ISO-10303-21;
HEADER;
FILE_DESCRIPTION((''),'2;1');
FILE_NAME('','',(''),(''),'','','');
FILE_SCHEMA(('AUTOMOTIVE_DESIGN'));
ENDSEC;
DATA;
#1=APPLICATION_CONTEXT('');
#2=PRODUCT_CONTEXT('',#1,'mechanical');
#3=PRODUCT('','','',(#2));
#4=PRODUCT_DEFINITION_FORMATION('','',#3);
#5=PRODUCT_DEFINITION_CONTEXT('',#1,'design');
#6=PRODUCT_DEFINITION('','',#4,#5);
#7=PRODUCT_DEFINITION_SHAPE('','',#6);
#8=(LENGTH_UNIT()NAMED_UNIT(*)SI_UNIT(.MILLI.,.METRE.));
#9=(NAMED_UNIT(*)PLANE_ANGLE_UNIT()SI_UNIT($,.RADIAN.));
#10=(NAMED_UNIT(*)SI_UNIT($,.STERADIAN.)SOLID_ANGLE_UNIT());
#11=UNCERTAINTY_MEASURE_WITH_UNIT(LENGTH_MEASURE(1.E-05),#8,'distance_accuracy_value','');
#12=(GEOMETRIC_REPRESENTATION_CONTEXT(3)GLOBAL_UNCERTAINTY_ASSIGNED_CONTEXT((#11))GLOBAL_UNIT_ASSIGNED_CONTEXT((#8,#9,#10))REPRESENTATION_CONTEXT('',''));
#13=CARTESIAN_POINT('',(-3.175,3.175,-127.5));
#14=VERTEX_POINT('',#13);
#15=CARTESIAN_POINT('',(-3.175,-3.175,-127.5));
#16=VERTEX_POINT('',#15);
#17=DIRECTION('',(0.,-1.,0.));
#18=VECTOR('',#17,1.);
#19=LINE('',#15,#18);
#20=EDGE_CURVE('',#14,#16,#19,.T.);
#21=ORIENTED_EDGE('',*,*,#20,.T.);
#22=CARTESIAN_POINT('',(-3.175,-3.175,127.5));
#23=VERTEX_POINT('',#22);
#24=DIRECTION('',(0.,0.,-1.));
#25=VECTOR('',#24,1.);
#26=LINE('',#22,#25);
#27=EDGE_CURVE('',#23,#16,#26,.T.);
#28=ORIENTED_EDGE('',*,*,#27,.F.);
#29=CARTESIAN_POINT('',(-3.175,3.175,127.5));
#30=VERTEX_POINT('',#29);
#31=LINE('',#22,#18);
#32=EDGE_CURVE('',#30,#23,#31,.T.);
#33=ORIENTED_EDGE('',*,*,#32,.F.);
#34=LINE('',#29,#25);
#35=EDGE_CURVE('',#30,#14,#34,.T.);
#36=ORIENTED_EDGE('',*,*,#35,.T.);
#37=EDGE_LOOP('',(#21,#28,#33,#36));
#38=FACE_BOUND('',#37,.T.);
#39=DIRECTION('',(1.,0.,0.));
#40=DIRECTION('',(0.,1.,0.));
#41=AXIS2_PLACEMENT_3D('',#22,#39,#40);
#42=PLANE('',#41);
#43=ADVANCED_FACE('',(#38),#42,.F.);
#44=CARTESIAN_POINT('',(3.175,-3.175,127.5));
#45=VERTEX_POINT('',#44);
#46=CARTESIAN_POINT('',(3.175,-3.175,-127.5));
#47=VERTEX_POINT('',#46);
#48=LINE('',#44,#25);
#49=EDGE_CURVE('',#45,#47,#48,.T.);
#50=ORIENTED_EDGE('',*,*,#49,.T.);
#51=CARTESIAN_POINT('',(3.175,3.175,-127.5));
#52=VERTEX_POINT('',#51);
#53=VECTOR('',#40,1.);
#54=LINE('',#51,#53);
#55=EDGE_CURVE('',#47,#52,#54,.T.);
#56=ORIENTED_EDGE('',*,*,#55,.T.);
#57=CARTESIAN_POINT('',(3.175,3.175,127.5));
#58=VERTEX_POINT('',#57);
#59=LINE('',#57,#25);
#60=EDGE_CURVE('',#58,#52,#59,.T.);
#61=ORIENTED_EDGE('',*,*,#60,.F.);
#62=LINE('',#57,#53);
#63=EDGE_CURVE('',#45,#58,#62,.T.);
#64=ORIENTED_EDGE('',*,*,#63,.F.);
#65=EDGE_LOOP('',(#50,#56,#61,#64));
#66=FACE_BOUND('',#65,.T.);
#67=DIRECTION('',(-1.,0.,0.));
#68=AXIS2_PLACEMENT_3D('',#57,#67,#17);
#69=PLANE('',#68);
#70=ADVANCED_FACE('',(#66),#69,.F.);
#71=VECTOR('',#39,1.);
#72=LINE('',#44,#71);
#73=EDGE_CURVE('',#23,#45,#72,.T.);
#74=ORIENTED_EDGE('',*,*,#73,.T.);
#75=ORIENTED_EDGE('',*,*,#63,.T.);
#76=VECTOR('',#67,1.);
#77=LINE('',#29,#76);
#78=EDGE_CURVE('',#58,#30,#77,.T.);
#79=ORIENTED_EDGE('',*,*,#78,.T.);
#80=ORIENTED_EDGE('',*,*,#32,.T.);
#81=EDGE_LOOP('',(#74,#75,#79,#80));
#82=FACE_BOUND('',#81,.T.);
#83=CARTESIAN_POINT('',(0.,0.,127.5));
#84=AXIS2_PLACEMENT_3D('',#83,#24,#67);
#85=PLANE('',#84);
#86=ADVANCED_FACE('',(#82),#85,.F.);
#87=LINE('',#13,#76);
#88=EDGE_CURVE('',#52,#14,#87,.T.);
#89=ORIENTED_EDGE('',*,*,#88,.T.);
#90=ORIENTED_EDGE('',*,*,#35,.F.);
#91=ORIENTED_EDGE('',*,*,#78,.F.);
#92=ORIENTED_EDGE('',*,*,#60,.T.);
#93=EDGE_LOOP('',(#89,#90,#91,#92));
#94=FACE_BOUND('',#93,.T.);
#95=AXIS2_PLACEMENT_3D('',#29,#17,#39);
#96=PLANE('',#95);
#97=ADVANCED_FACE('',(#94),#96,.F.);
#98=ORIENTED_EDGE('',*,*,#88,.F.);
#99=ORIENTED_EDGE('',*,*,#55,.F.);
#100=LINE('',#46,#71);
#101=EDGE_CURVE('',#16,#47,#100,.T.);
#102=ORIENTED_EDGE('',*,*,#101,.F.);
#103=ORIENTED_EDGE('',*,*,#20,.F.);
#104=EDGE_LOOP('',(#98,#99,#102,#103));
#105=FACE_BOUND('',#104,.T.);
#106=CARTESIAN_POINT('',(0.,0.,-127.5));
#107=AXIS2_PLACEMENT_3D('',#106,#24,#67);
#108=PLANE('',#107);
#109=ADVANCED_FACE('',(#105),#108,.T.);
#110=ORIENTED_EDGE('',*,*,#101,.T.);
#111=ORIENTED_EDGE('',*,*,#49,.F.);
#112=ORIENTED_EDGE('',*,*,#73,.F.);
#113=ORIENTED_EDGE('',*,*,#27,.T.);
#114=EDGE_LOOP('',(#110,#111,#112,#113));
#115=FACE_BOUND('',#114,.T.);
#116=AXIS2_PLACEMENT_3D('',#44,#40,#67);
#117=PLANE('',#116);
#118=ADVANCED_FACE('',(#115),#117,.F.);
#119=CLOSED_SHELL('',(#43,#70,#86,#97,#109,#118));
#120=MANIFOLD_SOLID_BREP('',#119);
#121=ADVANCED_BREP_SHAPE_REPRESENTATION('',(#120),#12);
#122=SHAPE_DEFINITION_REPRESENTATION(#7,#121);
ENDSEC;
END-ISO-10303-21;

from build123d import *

# Parameters (mm, degrees)
SKETCH3_W           = 6.35
SKETCH3_H           = 6.35
BOSS_EXTRUDE1_DEPTH = 127.5


with BuildPart() as part:
    # Sketch3 → Boss-Extrude1 (new, symmetric)
    with BuildSketch(Plane.XY):
        Rectangle(SKETCH3_W, SKETCH3_H)
    extrude(amount=BOSS_EXTRUDE1_DEPTH, both=True)


solid = part.part
